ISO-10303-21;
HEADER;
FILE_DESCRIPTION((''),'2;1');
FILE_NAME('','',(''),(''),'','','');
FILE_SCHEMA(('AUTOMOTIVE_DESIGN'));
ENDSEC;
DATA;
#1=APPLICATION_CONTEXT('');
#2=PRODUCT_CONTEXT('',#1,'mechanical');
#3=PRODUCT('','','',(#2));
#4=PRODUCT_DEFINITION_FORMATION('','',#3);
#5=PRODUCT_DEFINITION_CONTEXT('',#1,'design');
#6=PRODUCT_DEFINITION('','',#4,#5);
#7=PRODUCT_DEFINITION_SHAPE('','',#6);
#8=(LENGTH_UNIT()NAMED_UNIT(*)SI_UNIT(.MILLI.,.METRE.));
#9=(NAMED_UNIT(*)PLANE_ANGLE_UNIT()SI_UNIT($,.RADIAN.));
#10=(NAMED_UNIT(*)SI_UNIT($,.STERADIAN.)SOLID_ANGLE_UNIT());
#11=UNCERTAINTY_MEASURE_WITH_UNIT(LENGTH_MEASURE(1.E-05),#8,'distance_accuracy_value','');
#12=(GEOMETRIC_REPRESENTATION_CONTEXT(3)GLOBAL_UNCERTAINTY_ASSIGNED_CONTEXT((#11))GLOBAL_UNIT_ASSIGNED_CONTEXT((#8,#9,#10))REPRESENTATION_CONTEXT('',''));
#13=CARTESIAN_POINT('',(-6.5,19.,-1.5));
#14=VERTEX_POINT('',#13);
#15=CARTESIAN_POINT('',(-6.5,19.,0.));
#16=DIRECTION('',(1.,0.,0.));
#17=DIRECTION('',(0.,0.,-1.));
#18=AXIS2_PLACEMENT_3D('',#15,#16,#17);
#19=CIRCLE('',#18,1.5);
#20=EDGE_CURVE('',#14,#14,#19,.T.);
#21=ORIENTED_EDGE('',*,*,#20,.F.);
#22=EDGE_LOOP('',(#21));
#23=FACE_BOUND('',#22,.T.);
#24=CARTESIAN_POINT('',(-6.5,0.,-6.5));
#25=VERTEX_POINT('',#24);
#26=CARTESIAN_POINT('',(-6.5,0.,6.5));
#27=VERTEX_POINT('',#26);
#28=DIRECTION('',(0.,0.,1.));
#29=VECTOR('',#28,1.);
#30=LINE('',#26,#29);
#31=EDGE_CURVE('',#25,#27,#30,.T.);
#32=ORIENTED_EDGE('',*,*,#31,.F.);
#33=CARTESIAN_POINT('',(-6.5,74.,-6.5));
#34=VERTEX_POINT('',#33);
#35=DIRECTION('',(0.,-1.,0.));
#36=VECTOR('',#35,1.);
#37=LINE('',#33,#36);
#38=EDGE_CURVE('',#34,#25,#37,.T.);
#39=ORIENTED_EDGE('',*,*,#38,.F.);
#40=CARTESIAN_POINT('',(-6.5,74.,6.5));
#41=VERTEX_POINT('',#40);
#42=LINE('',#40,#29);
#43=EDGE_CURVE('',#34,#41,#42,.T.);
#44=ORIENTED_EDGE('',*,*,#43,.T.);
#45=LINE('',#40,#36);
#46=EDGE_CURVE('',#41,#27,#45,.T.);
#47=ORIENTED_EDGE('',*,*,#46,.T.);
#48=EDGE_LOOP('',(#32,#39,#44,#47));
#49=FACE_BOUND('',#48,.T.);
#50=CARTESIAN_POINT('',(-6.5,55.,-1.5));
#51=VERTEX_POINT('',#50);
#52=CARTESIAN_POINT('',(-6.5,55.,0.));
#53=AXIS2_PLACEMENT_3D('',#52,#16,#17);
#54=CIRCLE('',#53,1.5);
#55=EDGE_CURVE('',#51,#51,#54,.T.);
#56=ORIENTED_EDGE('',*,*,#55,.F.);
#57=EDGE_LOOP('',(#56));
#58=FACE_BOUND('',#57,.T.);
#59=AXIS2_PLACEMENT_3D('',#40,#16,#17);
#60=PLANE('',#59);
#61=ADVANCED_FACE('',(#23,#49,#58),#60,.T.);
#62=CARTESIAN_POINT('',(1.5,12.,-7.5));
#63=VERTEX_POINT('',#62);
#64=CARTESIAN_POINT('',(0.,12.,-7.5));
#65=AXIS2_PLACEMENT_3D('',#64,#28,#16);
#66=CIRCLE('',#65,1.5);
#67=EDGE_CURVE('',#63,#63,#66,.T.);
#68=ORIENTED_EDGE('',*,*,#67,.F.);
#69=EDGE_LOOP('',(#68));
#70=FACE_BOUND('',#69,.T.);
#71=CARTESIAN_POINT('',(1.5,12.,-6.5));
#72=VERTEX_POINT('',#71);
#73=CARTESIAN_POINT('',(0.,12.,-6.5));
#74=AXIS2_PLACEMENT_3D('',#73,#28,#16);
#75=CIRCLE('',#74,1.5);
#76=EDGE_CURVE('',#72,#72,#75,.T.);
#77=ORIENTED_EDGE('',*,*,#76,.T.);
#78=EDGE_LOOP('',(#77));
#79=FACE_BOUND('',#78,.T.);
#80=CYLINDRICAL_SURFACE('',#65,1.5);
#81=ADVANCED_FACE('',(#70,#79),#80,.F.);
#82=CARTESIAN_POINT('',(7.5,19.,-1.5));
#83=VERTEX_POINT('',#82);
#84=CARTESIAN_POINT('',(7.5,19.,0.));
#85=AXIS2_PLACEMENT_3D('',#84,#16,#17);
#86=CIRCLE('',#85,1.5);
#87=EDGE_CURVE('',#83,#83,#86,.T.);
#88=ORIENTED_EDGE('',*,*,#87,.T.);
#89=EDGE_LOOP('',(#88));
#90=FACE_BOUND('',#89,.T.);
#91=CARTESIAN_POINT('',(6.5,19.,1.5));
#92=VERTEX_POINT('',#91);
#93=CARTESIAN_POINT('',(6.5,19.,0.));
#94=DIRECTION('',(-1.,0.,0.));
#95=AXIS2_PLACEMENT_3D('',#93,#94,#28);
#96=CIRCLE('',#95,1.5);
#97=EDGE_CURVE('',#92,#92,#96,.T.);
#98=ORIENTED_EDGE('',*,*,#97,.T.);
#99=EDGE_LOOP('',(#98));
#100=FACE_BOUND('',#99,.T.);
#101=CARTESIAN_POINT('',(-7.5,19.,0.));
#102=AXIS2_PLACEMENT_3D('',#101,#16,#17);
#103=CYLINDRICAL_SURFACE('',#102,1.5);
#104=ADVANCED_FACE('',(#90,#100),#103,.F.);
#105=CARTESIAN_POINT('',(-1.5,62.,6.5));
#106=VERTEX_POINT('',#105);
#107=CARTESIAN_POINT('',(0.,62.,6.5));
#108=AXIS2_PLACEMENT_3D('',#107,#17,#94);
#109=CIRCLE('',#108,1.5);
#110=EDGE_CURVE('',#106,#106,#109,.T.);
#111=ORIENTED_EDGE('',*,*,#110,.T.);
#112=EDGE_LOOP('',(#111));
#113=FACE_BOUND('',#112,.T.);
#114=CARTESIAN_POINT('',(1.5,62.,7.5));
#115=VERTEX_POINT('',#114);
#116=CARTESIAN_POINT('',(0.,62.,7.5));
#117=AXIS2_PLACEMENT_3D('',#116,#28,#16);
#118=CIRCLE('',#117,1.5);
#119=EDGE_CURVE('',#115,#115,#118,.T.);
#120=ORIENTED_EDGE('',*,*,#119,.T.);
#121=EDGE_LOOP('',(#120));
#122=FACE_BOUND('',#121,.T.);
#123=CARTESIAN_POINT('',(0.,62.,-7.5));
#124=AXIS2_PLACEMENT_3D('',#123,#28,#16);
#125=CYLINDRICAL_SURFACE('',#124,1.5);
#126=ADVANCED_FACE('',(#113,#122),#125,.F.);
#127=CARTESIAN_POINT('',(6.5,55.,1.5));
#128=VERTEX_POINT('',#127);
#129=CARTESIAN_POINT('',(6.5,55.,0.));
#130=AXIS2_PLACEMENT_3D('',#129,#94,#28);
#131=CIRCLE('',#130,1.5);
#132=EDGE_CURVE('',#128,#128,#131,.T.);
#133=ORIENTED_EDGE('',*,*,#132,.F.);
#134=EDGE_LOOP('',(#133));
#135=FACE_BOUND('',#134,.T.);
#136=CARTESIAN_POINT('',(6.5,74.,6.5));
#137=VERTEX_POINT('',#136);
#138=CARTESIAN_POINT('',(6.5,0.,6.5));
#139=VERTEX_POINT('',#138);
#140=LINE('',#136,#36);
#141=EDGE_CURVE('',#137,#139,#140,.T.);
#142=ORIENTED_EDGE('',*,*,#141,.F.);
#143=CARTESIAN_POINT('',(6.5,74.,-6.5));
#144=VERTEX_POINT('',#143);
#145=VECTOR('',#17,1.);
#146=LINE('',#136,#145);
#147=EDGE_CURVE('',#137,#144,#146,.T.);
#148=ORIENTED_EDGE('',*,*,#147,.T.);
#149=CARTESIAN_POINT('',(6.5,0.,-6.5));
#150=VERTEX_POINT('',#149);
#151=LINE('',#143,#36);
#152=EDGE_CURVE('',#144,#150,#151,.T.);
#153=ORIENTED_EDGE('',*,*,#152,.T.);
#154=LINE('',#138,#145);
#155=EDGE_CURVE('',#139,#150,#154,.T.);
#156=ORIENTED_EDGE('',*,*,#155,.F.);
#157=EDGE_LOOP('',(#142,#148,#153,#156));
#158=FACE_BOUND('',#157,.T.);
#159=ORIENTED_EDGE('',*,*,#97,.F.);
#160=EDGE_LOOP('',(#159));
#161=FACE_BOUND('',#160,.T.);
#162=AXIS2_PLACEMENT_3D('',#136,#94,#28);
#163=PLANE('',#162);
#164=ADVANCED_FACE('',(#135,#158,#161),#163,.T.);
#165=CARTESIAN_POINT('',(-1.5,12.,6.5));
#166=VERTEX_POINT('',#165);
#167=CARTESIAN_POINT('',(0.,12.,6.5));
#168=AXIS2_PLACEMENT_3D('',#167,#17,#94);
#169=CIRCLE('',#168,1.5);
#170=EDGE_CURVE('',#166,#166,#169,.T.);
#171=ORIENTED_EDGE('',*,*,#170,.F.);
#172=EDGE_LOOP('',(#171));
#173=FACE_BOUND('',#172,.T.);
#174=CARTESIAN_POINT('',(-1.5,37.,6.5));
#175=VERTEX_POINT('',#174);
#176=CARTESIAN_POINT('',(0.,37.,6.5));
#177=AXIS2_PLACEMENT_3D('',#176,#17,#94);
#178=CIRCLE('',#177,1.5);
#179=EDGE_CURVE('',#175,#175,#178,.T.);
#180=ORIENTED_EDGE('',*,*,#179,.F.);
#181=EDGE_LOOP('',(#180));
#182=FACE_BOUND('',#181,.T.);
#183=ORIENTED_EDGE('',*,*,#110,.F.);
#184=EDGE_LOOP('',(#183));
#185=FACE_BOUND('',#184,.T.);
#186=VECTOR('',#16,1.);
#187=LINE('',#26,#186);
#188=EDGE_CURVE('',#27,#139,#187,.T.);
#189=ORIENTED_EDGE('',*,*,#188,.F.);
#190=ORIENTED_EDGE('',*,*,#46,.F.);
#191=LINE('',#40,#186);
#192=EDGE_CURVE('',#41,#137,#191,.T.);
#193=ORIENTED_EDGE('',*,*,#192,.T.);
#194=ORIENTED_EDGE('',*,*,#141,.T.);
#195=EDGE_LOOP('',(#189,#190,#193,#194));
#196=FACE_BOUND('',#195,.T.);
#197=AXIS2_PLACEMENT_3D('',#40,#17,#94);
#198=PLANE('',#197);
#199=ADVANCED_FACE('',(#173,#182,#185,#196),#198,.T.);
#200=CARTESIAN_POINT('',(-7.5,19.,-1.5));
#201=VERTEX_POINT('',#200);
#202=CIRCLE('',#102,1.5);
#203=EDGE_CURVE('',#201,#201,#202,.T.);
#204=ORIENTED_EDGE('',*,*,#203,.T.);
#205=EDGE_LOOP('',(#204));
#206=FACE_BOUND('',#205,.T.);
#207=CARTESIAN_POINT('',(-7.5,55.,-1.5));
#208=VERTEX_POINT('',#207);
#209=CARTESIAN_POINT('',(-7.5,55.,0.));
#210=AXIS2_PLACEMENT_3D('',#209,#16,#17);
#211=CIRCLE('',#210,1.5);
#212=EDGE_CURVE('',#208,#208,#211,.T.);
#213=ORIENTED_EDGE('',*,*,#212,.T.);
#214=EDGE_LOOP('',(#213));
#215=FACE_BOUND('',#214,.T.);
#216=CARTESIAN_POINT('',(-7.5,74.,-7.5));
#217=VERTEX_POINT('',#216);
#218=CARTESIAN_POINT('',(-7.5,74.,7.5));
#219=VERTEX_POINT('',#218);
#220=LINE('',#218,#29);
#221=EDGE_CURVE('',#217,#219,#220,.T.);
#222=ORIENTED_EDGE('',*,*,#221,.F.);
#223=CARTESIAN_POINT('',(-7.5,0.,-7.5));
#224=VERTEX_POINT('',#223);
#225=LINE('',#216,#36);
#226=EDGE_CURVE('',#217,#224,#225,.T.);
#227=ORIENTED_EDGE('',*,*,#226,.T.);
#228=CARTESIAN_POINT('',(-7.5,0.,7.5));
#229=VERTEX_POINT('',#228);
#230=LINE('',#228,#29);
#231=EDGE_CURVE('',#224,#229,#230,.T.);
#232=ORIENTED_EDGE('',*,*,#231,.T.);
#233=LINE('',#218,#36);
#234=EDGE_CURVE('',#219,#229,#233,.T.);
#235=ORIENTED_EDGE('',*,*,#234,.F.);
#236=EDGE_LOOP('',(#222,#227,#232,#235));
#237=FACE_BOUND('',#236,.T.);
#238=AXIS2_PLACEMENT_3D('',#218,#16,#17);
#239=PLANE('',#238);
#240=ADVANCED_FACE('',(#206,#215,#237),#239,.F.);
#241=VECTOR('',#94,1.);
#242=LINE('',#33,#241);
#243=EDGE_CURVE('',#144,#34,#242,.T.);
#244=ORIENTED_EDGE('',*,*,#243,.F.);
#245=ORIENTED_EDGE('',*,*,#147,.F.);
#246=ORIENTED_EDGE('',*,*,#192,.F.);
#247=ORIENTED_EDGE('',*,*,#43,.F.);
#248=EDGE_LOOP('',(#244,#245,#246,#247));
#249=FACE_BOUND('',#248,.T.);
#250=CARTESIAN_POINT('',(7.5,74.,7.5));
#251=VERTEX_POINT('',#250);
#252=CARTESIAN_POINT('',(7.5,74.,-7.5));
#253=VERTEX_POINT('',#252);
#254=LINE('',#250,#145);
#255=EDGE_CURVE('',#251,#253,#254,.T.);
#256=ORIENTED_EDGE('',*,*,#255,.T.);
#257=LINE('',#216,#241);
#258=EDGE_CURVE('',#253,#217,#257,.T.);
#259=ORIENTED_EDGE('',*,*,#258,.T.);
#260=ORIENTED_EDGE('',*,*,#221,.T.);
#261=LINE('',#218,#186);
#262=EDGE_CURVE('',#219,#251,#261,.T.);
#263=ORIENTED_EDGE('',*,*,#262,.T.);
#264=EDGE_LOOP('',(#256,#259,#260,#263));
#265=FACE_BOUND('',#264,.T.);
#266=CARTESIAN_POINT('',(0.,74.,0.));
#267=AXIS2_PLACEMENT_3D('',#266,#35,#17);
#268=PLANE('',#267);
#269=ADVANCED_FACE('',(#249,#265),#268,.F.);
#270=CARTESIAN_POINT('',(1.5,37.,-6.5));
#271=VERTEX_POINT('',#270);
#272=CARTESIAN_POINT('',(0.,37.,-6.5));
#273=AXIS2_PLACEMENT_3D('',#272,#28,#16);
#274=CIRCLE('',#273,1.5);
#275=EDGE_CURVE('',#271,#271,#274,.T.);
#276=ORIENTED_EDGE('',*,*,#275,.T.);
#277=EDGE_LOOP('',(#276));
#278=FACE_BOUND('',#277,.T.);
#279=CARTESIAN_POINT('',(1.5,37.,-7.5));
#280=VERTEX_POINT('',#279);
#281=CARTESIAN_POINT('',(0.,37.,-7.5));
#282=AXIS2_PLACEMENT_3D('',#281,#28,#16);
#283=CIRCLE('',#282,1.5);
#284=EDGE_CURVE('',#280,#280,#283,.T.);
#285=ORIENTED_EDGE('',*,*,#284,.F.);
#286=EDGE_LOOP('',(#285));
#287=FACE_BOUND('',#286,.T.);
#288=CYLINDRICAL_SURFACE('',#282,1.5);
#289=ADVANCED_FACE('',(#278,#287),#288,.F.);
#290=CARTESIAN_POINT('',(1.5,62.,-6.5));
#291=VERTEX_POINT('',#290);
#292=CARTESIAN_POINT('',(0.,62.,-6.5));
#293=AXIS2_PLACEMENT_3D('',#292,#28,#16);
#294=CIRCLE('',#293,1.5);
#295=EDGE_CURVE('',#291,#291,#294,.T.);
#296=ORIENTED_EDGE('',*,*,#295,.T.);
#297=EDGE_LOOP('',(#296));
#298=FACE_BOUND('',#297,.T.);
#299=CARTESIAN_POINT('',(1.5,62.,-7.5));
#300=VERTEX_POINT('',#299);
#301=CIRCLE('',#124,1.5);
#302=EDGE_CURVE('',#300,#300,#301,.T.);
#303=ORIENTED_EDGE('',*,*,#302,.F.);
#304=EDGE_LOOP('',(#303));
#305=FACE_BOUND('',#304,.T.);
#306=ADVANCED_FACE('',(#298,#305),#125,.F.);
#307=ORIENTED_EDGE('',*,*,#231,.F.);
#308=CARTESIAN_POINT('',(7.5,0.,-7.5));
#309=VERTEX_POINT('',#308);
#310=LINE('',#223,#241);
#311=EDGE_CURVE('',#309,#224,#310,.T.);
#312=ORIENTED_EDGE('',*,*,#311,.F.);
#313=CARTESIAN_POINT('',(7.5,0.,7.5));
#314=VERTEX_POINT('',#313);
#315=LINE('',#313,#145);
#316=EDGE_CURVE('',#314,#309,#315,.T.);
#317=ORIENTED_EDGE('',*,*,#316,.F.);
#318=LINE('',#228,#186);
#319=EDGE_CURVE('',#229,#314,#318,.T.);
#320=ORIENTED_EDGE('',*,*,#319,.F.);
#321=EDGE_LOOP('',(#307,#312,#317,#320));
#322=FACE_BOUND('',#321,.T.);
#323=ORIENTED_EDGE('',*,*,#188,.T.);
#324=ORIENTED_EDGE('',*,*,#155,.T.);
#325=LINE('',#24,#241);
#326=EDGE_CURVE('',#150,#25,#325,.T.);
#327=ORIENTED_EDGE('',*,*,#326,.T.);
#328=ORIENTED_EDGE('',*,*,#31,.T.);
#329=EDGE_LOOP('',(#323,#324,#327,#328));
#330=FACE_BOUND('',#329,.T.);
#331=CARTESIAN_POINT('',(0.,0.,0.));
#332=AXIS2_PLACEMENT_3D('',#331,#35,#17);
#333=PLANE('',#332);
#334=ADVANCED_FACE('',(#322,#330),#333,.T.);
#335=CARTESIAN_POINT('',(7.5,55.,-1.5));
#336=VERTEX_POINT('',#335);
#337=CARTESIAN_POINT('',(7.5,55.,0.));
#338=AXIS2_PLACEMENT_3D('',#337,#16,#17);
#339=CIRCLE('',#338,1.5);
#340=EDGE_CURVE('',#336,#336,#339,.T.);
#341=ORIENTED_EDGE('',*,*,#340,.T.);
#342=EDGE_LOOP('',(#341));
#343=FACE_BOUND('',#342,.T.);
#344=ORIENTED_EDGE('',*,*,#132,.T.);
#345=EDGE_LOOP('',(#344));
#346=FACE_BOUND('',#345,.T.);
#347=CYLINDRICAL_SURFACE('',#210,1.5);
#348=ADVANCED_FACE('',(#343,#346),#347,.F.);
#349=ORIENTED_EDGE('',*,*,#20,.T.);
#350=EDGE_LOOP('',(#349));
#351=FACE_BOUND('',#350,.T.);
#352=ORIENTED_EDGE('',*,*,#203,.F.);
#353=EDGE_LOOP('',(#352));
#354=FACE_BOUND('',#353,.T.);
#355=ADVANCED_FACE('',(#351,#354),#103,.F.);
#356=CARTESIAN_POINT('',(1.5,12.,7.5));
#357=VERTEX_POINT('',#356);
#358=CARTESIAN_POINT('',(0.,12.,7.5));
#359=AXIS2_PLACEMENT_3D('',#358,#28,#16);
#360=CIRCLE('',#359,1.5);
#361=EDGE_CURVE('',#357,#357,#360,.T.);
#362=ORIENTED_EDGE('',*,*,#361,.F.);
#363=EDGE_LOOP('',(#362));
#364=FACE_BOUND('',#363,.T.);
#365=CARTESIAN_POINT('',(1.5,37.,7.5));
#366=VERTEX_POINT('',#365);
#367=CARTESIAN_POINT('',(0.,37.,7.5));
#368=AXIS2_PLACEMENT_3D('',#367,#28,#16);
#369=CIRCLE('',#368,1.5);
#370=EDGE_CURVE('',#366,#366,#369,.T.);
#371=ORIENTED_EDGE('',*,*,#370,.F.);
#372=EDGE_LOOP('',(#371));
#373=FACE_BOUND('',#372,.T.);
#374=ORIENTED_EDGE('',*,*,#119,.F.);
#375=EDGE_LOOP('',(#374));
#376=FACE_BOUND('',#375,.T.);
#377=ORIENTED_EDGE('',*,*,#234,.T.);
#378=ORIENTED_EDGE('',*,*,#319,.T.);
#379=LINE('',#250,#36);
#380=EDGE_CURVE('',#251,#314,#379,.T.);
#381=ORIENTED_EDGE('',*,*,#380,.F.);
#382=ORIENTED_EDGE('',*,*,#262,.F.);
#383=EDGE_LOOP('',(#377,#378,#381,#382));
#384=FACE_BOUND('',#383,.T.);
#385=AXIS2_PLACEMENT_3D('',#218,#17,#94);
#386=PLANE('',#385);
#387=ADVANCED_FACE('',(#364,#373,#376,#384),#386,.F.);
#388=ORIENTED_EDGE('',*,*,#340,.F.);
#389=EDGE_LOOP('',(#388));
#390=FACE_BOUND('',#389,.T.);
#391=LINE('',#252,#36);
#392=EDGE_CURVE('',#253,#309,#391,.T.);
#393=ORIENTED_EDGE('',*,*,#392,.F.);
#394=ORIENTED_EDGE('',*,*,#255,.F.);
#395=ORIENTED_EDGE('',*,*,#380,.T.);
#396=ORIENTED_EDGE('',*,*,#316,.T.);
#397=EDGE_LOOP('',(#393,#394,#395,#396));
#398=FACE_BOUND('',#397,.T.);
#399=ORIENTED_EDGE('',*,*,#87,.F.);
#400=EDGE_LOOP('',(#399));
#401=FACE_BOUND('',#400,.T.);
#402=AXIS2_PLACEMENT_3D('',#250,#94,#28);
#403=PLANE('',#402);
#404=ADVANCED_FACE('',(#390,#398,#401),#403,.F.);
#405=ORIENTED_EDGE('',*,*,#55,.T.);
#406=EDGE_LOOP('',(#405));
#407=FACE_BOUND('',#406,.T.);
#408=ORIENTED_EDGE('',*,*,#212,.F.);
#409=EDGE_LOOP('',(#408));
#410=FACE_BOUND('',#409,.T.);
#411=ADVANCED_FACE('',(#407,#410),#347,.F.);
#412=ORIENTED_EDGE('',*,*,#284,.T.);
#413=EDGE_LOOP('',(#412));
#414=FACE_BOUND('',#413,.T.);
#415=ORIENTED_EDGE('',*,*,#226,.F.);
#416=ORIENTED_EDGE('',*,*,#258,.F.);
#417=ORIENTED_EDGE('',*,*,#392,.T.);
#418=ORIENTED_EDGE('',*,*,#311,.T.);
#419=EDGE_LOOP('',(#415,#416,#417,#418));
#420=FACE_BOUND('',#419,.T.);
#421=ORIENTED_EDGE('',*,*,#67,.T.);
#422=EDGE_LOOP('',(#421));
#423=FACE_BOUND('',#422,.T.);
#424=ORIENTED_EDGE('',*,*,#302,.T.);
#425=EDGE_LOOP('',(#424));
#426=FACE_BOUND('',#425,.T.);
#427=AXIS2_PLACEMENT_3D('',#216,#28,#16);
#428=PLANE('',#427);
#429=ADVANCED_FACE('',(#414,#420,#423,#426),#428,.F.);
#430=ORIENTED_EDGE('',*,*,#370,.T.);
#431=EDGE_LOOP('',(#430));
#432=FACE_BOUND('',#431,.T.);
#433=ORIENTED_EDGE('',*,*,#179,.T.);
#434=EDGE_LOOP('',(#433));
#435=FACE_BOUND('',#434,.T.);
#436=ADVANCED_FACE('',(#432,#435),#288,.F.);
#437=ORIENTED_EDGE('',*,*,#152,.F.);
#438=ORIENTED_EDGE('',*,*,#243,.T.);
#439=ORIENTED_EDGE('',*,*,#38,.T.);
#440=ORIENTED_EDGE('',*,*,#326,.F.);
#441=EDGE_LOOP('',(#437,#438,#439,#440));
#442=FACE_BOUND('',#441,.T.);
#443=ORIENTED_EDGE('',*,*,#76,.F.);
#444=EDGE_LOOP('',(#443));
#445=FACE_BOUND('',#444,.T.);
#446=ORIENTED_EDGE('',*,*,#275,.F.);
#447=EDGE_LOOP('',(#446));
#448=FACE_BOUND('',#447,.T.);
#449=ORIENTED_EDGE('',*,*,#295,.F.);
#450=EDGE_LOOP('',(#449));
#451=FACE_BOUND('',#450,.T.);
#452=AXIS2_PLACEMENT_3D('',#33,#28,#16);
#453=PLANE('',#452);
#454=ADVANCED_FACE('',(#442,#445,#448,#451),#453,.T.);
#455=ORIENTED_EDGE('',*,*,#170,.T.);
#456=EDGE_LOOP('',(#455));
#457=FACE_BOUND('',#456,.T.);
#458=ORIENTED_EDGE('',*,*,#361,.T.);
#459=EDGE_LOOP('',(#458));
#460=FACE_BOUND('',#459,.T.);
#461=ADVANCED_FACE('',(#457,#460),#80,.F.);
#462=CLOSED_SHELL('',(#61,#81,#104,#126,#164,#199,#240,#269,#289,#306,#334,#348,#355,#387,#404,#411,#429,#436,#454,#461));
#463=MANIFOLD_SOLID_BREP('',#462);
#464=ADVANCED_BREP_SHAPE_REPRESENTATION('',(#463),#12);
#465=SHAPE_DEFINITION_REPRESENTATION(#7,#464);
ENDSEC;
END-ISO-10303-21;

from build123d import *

# Parameters (mm, degrees)
SKETCH_1_W          = 15
SKETCH_1_H          = 15
SKETCH_1_W_2        = 13
SKETCH_1_H_2        = 13
EXTRUDE_1_DEPTH     = 74
SKETCH_2_R          = 1.5
CUT_EXTRUDE_1_DEPTH = 76.876544465
SKETCH_3_R          = 1.5
CUT_EXTRUDE_2_DEPTH = 76.876544465


with BuildPart() as part:
    # 草图1 → 凸台-拉伸1 (new body)
    with BuildSketch(Plane(origin=(0, 0, 0), x_dir=(1, 0, 0), z_dir=(0, 1, 0))):
        Rectangle(SKETCH_1_W, SKETCH_1_H)
        Rectangle(SKETCH_1_W_2, SKETCH_1_H_2, mode=Mode.SUBTRACT)
    extrude(amount=EXTRUDE_1_DEPTH)

    # 草图2 → 切除-拉伸1 (cut, through all)
    with BuildSketch(Plane.XY.offset(7.5)):
        with Locations((0, 62)):
            Circle(SKETCH_2_R)
        with Locations((0, 37)):
            Circle(SKETCH_2_R)
        with Locations((0, 12)):
            Circle(SKETCH_2_R)
    extrude(amount=-CUT_EXTRUDE_1_DEPTH, mode=Mode.SUBTRACT)

    # 草图3 → 切除-拉伸2 (cut, through all)
    with BuildSketch(Plane(origin=(7.5, 0, 0), x_dir=(0, 0, -1), z_dir=(1, 0, 0))):
        with Locations((0, 55)):
            Circle(SKETCH_3_R)
        with Locations((0, 19)):
            Circle(SKETCH_3_R)
    extrude(amount=-CUT_EXTRUDE_2_DEPTH, mode=Mode.SUBTRACT)


solid = part.part
